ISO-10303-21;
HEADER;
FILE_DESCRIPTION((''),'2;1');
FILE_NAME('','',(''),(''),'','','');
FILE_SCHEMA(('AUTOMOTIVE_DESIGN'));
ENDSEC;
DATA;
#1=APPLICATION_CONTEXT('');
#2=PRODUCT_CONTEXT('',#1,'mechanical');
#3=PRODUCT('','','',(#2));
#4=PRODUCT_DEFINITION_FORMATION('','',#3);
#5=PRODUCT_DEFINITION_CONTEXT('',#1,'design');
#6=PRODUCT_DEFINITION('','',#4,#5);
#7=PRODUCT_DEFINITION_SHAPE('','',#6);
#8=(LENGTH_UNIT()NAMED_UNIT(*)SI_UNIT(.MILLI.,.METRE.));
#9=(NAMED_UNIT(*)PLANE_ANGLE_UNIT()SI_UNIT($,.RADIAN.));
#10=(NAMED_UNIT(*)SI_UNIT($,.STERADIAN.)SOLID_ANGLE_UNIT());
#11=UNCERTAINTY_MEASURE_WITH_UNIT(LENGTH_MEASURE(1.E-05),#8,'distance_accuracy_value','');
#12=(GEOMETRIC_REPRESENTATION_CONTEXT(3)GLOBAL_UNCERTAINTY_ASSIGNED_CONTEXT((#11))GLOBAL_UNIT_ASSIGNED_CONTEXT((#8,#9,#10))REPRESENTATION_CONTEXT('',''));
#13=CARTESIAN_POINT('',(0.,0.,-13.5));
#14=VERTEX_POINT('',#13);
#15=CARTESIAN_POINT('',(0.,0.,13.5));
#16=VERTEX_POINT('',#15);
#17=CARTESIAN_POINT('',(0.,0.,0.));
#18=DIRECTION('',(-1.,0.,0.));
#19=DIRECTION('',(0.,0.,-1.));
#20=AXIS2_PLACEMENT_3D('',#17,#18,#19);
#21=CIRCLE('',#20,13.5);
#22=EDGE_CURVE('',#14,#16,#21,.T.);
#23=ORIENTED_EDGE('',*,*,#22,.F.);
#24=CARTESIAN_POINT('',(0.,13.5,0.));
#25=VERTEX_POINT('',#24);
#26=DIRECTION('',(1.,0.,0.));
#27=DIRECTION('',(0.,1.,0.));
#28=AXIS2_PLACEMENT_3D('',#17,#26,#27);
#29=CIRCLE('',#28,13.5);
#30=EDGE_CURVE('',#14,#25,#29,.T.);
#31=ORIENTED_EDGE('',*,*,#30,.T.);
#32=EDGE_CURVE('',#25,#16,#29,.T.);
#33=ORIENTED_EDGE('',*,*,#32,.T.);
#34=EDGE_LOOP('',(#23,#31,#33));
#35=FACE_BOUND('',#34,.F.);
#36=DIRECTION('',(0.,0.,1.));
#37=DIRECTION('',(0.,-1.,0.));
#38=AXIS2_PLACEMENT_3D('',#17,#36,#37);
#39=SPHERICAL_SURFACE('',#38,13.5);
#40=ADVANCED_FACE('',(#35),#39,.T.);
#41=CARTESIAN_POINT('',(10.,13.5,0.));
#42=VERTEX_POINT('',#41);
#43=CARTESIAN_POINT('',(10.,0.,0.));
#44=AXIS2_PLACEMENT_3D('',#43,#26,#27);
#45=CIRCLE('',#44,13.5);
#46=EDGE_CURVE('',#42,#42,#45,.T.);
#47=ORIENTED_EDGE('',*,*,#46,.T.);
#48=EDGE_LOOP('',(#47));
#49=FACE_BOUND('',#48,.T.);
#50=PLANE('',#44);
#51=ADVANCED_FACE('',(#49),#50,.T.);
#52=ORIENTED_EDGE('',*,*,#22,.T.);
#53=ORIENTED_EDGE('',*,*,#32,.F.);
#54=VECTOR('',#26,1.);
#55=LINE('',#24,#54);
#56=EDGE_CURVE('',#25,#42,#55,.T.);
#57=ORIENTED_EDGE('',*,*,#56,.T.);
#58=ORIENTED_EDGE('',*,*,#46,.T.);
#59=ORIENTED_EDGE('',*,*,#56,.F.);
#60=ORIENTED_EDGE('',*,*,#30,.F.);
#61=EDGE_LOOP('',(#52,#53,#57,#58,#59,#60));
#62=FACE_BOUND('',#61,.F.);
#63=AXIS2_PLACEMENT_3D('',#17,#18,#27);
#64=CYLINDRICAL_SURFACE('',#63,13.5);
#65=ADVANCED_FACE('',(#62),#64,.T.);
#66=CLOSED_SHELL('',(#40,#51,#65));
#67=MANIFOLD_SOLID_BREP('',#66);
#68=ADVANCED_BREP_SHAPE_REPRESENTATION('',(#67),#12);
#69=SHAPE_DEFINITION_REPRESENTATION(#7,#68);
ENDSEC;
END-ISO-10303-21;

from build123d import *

# Parameters (mm, degrees)
F0_R     = 13.5
F1_DEPTH = 10
F3_ANGLE = 180


with BuildPart() as f1:
    # F0 (on Right) → F1 (new body)
    with BuildSketch(Plane.YZ):
        Circle(F0_R)
    extrude(amount=F1_DEPTH)

    # F2 (on face) → F3 (revolve)
    with BuildSketch(Plane(origin=(0, 0, 0), x_dir=(0, -1, 0), z_dir=(-1, 0, 0))):
        with BuildLine():
            ThreePointArc((0, -13.5), (13.5, 0), (0, 13.5))
            Line((0, 13.5), (0, -13.5))
        make_face()
    revolve(axis=Axis((0, 0, 0), (0, 0, -1)), revolution_arc=F3_ANGLE)


solid = f1.part
